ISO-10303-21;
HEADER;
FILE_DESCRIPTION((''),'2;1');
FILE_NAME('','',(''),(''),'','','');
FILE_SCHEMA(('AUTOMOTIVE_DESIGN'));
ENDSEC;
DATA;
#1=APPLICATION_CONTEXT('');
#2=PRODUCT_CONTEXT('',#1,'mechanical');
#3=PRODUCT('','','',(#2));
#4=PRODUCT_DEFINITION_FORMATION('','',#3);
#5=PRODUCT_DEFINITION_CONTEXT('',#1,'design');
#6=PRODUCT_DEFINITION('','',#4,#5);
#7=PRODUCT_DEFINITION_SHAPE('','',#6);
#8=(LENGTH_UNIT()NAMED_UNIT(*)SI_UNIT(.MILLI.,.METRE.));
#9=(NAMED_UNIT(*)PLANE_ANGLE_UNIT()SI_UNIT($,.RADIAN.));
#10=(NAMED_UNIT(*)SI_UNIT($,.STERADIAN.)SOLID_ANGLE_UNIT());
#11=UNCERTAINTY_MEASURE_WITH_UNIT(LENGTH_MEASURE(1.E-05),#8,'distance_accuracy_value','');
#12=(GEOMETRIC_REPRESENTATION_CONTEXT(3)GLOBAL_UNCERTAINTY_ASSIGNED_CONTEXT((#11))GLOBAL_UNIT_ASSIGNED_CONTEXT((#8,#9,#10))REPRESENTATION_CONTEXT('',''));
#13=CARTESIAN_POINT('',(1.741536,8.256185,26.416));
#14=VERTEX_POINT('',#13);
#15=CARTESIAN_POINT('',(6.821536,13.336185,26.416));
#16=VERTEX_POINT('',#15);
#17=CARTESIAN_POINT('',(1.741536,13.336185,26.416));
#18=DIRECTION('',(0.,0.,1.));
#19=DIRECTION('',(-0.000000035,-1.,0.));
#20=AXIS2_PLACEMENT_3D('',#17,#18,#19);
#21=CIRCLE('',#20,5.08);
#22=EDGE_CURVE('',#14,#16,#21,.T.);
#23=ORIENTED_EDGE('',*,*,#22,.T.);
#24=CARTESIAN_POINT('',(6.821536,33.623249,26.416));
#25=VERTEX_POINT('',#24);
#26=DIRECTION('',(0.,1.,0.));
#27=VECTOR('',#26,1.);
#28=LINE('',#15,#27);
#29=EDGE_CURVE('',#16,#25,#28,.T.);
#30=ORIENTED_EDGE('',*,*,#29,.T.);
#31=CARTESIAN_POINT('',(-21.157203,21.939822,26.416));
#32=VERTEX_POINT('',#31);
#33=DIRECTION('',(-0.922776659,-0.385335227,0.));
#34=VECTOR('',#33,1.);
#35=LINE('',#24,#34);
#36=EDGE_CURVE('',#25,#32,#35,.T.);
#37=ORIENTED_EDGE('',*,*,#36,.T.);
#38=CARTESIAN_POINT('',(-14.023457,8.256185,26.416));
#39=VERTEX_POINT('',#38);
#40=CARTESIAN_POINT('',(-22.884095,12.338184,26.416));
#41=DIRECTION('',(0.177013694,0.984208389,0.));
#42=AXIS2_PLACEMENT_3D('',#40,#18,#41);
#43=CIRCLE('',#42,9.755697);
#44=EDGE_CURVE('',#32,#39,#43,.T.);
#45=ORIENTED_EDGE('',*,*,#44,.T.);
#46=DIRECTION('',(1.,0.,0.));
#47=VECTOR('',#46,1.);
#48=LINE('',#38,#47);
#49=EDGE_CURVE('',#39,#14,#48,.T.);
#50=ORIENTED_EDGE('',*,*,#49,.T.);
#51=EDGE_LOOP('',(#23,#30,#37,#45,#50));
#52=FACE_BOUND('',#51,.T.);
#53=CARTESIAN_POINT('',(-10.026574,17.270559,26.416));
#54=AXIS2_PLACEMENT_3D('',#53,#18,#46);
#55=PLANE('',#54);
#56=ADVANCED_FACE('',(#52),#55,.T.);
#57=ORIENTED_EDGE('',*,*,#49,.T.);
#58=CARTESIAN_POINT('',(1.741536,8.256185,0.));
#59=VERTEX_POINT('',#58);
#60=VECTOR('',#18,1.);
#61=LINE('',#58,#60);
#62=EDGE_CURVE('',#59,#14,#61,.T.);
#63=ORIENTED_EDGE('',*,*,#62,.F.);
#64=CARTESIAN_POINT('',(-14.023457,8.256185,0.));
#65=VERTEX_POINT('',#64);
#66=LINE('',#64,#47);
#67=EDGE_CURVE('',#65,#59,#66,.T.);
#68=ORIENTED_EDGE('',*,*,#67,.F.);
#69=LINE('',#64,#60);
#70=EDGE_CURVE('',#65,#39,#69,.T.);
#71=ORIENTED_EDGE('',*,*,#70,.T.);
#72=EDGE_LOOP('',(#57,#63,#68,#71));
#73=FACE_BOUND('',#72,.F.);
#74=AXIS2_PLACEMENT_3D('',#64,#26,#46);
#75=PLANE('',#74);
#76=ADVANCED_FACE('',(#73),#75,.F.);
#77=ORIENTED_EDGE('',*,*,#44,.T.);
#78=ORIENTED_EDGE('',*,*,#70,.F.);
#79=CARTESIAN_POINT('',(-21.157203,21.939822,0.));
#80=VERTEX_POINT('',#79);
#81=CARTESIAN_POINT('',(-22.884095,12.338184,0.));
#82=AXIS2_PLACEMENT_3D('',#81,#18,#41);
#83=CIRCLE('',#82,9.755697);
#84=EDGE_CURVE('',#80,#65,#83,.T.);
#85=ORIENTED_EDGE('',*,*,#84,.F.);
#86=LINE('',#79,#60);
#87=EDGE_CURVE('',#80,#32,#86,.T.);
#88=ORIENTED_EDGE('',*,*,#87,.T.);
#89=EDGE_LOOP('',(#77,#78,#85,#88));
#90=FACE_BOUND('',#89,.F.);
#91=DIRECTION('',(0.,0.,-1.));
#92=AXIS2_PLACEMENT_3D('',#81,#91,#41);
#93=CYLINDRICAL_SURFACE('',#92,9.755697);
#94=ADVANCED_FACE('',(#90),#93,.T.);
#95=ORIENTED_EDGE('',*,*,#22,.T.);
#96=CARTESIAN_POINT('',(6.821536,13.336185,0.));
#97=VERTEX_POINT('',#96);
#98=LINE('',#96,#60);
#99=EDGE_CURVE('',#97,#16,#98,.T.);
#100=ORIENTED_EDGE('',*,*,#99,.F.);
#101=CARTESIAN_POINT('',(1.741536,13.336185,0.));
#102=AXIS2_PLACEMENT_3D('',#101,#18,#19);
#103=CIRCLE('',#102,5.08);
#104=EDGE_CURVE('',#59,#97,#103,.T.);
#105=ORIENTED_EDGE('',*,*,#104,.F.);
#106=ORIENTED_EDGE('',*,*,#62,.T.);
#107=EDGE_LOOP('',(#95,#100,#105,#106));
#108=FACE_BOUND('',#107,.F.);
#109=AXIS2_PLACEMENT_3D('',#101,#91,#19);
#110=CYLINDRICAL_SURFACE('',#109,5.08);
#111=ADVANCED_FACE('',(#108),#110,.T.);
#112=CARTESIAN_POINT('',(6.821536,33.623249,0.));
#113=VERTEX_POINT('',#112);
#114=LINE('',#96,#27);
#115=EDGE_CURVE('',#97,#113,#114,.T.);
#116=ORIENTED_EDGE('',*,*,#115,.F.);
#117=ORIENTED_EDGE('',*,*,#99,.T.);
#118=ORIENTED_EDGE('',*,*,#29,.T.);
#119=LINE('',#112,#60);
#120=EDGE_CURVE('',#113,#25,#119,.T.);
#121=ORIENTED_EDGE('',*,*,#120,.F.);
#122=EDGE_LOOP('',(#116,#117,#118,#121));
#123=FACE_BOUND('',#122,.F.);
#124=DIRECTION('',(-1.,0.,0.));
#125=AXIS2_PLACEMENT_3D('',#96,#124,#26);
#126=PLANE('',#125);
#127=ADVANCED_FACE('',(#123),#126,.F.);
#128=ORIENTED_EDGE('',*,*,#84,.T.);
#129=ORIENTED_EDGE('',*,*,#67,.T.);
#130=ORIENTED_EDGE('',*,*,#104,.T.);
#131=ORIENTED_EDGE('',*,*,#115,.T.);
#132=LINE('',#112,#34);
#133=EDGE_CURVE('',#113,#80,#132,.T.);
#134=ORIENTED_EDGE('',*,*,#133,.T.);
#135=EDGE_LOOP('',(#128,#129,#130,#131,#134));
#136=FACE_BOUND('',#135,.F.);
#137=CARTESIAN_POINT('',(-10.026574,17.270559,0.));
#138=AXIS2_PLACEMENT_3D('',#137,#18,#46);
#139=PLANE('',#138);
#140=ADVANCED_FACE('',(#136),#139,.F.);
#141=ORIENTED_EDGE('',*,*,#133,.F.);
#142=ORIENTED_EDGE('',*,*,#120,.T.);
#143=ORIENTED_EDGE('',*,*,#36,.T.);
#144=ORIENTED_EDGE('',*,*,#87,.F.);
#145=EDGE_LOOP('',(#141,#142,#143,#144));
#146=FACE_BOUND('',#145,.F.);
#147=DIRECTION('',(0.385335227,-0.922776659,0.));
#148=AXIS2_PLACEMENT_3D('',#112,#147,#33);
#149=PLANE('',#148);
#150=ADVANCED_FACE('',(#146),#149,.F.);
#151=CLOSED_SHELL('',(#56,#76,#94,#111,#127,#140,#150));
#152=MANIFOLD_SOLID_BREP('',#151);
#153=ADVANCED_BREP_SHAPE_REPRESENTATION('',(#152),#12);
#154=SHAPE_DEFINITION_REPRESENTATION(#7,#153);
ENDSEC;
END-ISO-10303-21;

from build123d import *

# Parameters (mm, degrees)
F1_DEPTH = 26.416


with BuildPart() as f1:
    # F0 (on Top) → F1 (new body)
    with BuildSketch(Plane.XY):
        with BuildLine():
            Line((6.821536, 33.623249), (-21.157203, 21.939822))
            ThreePointArc((-21.157203, 21.939822), (-31.534784, 7.828284), (-14.023457, 8.256185))
            Line((-14.023457, 8.256185), (1.741536, 8.256185))
            ThreePointArc((1.741536, 8.256185), (5.333638, 9.744082), (6.821536, 13.336185))
            Line((6.821536, 13.336185), (6.821536, 21.939822))
            Line((6.821536, 21.939822), (6.821536, 33.623249))
        make_face()
    extrude(amount=F1_DEPTH)


solid = f1.part
